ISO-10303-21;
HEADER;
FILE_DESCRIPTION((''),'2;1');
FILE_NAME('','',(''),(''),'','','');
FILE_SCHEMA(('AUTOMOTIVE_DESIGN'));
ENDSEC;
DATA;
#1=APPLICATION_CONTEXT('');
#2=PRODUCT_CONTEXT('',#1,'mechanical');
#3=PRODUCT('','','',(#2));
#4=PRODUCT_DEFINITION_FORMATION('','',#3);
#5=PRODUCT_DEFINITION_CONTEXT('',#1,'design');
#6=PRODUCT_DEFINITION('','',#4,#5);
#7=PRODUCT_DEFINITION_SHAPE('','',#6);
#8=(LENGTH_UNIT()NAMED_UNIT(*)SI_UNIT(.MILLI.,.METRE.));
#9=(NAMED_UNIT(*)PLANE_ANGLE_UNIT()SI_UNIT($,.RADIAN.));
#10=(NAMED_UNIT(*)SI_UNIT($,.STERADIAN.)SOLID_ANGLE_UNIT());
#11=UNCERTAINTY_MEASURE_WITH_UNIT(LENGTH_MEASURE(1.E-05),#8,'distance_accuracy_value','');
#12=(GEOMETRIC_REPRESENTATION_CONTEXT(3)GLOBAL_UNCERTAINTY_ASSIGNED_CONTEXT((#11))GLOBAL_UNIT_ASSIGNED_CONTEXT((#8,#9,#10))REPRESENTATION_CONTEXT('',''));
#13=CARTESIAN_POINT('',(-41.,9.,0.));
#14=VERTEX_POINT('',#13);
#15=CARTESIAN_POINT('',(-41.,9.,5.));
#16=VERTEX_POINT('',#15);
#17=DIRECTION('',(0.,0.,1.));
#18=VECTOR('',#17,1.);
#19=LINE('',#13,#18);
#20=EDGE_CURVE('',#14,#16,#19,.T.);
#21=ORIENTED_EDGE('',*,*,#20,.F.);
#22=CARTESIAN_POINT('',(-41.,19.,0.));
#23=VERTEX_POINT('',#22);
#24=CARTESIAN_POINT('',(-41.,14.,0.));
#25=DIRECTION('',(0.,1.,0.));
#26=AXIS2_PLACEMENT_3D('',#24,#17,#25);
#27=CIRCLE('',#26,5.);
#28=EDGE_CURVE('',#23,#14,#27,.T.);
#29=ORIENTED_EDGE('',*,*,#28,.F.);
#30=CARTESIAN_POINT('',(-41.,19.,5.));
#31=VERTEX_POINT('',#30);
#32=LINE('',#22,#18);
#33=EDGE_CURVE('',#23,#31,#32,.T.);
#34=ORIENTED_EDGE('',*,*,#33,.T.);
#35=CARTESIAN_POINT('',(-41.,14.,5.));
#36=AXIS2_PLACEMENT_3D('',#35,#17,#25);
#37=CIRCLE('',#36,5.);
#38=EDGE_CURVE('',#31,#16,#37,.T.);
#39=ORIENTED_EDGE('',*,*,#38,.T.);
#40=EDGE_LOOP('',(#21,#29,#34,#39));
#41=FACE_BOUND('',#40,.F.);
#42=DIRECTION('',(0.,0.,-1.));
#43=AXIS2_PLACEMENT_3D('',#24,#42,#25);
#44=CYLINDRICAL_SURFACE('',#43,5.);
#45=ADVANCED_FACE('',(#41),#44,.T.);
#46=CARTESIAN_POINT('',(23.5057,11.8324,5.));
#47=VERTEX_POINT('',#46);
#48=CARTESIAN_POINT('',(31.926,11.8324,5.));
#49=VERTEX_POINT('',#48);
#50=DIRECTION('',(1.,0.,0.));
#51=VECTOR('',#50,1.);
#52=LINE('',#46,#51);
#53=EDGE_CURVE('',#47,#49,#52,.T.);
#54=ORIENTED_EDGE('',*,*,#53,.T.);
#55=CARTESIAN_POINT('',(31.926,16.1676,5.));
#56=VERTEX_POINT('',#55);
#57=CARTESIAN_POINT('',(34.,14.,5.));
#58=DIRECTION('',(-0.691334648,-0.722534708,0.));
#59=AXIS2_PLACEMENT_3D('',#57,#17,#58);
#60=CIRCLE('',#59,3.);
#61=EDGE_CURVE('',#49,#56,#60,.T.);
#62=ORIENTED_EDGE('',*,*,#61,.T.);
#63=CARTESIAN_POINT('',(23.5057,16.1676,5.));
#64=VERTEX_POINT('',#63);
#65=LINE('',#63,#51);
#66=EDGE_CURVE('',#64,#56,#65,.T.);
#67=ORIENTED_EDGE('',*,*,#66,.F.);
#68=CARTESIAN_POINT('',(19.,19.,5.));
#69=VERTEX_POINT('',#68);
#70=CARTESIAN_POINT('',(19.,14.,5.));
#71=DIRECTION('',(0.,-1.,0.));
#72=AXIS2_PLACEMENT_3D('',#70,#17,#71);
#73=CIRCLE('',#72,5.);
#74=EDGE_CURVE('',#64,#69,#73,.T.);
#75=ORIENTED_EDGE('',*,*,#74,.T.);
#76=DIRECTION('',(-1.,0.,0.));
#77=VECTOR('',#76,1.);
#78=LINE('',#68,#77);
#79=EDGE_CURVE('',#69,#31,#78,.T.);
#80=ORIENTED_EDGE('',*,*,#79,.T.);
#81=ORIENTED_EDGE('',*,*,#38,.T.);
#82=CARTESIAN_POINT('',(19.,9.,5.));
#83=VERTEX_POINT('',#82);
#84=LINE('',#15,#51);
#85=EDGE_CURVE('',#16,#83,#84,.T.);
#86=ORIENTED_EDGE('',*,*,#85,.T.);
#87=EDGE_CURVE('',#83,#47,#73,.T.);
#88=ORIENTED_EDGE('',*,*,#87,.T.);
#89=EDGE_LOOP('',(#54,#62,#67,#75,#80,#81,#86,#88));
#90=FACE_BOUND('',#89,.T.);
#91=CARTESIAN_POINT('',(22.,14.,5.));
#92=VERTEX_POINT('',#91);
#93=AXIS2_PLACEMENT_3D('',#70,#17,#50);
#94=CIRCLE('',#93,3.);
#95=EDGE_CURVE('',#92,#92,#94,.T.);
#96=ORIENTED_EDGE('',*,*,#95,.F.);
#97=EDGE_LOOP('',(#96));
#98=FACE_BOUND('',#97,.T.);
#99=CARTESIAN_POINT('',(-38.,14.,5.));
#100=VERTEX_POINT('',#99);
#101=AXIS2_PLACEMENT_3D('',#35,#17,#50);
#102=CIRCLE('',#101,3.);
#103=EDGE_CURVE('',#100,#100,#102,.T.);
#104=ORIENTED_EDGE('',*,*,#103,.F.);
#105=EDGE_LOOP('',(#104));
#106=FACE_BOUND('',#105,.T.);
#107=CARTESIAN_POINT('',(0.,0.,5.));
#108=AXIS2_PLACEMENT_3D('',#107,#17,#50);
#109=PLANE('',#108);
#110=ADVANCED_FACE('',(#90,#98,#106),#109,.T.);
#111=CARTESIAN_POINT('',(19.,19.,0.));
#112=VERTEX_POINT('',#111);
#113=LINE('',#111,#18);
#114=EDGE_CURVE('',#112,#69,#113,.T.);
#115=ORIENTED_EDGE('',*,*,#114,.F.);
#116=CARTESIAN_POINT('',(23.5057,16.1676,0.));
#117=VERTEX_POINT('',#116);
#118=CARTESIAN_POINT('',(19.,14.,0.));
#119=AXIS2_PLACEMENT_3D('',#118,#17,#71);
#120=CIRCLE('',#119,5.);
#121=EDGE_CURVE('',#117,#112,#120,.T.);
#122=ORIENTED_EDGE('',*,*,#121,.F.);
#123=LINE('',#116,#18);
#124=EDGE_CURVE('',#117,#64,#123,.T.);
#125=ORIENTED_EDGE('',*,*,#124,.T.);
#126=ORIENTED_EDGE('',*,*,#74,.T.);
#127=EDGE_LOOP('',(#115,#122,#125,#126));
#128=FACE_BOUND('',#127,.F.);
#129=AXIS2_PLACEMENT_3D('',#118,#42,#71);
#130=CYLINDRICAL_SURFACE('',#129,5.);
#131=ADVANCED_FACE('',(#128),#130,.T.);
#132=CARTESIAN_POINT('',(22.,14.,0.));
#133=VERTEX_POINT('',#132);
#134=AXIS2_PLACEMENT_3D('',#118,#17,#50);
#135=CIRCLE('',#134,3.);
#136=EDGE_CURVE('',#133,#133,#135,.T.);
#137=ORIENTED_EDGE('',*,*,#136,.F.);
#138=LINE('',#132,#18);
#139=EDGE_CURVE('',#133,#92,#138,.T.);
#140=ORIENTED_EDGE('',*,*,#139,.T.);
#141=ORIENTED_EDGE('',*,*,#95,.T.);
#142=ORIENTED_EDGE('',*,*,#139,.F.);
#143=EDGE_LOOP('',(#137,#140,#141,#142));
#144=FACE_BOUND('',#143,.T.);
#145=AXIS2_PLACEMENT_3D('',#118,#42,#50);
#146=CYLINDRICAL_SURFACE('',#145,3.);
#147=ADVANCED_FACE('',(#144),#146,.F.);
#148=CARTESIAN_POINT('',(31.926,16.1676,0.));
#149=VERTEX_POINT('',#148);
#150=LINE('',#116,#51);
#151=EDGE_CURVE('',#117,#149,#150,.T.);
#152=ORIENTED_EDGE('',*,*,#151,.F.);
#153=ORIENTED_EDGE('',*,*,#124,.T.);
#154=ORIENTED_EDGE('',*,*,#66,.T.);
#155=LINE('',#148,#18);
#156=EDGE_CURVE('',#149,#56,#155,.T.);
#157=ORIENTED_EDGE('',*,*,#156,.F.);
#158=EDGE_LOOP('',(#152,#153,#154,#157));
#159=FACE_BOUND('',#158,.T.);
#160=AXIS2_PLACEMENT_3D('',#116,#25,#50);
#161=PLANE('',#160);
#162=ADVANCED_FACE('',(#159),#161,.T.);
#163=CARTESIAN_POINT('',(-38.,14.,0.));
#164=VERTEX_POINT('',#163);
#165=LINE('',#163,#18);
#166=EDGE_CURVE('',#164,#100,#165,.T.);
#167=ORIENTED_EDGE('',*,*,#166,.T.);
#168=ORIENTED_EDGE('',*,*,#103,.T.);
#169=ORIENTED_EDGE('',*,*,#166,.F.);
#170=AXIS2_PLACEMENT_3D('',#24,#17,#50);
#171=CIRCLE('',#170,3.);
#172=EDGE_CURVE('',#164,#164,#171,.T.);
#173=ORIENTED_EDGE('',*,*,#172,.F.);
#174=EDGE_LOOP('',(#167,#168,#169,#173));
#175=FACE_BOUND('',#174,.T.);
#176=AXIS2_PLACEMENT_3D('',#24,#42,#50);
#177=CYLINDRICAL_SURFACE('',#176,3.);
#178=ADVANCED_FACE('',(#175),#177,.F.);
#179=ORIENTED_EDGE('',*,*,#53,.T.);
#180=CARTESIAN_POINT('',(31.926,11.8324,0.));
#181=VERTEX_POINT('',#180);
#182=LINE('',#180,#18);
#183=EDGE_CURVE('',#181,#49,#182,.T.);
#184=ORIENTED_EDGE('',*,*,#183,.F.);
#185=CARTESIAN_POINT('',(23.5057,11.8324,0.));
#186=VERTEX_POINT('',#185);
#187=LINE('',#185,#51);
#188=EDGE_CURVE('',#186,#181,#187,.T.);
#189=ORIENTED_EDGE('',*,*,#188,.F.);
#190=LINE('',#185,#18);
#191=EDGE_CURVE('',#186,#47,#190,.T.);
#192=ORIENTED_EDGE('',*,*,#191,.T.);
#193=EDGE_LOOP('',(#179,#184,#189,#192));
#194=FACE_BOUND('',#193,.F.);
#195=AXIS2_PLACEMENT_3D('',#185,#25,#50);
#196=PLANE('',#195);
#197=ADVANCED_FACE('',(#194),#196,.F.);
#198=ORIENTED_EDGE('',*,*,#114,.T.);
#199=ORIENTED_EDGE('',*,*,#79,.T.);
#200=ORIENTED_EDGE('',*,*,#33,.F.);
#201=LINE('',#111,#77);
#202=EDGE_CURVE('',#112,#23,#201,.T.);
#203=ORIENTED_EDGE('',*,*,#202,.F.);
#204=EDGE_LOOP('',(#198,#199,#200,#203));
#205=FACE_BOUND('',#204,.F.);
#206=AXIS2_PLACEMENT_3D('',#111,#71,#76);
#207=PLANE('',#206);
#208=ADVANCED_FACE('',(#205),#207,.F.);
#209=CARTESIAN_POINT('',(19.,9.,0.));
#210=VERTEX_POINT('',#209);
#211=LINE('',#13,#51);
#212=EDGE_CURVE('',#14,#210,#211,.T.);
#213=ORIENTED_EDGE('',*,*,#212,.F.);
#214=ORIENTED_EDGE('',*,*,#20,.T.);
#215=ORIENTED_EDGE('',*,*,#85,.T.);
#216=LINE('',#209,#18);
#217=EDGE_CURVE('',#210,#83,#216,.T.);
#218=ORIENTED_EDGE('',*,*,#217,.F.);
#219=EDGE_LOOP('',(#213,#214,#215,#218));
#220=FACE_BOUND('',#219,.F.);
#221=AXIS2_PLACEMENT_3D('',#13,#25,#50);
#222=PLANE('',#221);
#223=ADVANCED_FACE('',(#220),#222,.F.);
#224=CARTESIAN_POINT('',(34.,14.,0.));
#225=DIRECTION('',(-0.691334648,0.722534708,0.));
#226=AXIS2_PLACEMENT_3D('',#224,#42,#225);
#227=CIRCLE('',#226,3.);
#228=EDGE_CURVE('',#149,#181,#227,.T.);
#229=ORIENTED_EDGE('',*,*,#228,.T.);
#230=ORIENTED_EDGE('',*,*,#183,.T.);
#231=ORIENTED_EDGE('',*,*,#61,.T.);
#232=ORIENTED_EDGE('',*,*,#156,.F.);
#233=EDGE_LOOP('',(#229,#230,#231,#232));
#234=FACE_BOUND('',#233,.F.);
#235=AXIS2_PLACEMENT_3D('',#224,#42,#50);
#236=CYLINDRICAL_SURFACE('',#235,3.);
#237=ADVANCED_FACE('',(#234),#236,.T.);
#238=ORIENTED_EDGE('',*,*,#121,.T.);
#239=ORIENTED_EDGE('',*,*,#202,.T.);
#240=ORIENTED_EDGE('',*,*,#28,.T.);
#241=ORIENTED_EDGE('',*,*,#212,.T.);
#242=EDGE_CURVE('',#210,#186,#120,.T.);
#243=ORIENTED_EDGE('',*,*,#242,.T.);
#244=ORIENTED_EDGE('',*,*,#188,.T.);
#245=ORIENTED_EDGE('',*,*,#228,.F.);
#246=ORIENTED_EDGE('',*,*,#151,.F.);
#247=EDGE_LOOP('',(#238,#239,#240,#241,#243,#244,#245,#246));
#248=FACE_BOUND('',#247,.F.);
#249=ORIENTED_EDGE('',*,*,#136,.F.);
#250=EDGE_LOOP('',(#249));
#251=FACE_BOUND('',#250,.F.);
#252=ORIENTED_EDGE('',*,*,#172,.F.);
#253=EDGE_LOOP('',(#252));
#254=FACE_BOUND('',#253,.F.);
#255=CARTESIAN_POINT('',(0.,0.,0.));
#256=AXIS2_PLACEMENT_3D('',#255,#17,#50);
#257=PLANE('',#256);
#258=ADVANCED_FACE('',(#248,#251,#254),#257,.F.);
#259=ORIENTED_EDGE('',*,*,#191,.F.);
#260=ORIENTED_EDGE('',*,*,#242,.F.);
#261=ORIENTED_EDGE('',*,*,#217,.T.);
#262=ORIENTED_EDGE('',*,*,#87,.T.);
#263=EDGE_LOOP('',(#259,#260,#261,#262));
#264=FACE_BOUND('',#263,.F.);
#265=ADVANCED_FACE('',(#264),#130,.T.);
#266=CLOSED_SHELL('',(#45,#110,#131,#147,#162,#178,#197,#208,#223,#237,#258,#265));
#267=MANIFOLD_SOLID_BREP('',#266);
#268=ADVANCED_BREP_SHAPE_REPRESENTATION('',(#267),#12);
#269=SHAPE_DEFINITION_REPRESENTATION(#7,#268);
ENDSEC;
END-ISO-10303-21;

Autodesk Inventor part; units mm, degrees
ref_plane "YZ Plane" through (0, 0, 0) normal (1, 0, 0) x (0, 1, 0)
ref_plane "XZ Plane" through (0, 0, 0) normal (0, 1, 0) x (-1, 0, 0)
ref_plane "XY Plane" through (0, 0, 0) normal (0, 0, 1) x (1, 0, 0)
sketch "Sketch1" plane through (0, 0, 0) normal (0, 0, 1) x (1, 0, 0)
  line L0 (-41, 14) -> (19, 14) construction
  line L1 (-41, 9) -> (19, 9)
  line L2 (19, 19) -> (-41, 19)
  arc A0 (-41, 19) -> (-41, 9) centre (-41, 14) ccw
  arc A1 (19, 9) -> (19, 19) centre (19, 14) ccw
  circle A2 centre (-41, 14) radius 3
  circle A3 centre (19, 14) radius 3
  line L3 (23.5057, 16.1676) -> (31.926, 16.1676)
  circle A4 centre (34, 14) radius 3
  line L4 (23.5057, 11.8324) -> (31.926, 11.8324)
  point P0 (0, 0)
  point P1 (-11, 14)
  point P2 (23.9595, 14.6351)
  dimension "d0" = 10
  dimension "d1" = 6
  dimension "d3" = 60
  dimension "d6" = 15
  dimension "d7" = 6
extrude "Extrusion1" add sketch "Sketch1" along normal blind 5
equation "\"d0\" = R"
equation "\"d1\" = r"
equation "\"d7\" = r"
equation "\"d4\" = th"
equation "\"th\" = 5"
equation "\"r\" = 6"
equation "\"R\" = 10"
